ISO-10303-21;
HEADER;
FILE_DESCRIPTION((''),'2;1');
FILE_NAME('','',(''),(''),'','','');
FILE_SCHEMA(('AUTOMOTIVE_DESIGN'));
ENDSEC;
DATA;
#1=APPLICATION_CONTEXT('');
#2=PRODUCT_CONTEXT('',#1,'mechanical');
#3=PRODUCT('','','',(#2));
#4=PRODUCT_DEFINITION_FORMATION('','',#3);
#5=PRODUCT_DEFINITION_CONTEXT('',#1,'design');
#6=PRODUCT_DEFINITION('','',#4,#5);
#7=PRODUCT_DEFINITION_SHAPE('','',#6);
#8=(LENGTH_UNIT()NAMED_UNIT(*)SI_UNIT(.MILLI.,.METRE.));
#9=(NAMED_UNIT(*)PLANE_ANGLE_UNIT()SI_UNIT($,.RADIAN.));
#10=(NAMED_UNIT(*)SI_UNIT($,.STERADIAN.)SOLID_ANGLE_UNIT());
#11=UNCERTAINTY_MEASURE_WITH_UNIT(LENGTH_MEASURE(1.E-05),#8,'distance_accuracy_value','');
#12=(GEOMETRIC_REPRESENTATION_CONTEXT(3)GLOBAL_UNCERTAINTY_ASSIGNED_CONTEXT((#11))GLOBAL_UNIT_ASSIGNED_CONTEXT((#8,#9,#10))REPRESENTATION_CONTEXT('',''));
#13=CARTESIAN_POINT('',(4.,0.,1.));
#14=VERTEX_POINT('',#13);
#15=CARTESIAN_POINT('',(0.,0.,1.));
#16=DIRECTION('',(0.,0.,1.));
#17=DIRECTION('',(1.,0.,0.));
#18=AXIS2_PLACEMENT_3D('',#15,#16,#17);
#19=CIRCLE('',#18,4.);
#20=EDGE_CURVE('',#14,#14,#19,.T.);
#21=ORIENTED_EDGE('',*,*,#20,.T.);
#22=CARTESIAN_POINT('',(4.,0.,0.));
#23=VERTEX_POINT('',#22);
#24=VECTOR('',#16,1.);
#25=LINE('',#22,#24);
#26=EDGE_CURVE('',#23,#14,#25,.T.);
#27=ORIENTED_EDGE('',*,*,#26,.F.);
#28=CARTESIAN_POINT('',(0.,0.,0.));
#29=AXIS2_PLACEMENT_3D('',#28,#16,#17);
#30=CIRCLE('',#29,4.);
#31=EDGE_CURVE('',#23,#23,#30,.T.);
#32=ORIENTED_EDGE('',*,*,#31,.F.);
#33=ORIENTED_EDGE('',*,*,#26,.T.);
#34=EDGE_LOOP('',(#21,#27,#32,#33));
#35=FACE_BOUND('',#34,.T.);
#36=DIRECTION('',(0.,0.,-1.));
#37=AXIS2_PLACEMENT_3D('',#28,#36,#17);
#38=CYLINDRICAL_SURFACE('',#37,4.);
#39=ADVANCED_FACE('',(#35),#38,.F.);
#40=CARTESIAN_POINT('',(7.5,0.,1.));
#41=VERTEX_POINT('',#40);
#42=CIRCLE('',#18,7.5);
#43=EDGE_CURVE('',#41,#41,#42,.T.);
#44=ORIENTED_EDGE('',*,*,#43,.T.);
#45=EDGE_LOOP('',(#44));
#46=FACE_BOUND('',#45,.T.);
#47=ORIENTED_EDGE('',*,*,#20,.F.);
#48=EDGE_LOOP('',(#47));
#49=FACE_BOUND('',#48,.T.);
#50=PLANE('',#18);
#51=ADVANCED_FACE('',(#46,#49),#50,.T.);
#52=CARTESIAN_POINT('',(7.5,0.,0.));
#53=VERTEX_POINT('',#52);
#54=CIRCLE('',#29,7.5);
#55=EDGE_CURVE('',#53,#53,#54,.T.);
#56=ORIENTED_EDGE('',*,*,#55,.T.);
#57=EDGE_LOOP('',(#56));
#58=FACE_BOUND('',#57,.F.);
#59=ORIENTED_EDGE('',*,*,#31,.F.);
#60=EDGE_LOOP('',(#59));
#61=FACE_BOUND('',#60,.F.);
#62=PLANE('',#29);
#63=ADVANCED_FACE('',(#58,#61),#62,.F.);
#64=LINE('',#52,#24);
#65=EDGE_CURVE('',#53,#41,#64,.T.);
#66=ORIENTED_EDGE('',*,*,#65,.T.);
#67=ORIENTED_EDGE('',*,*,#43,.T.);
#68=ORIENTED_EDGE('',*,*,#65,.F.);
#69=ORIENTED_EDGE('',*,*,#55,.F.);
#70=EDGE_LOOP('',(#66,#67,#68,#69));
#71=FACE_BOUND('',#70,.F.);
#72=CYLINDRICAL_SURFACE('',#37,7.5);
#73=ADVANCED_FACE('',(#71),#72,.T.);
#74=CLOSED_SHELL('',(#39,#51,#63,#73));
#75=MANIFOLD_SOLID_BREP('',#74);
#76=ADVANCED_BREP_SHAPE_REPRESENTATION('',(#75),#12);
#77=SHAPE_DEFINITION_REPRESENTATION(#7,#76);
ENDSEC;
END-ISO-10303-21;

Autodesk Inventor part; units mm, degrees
ref_plane "YZ Plane" through (0, 0, 0) normal (1, 0, 0) x (0, 1, 0)
ref_plane "XZ Plane" through (0, 0, 0) normal (0, 1, 0) x (-1, 0, 0)
ref_plane "XY Plane" through (0, 0, 0) normal (0, 0, 1) x (1, 0, 0)
sketch "Sketch1" plane through (0, 0, 0) normal (0, 0, 1) x (1, 0, 0)
  circle A0 centre (0, 0) radius 4
  circle A1 centre (0, 0) radius 7.5
  dimension "d0" = 8
  dimension "d1" = 15
extrude "Extrusion1" add sketch "Sketch1" along normal blind 1
properties part number "spoel print"
